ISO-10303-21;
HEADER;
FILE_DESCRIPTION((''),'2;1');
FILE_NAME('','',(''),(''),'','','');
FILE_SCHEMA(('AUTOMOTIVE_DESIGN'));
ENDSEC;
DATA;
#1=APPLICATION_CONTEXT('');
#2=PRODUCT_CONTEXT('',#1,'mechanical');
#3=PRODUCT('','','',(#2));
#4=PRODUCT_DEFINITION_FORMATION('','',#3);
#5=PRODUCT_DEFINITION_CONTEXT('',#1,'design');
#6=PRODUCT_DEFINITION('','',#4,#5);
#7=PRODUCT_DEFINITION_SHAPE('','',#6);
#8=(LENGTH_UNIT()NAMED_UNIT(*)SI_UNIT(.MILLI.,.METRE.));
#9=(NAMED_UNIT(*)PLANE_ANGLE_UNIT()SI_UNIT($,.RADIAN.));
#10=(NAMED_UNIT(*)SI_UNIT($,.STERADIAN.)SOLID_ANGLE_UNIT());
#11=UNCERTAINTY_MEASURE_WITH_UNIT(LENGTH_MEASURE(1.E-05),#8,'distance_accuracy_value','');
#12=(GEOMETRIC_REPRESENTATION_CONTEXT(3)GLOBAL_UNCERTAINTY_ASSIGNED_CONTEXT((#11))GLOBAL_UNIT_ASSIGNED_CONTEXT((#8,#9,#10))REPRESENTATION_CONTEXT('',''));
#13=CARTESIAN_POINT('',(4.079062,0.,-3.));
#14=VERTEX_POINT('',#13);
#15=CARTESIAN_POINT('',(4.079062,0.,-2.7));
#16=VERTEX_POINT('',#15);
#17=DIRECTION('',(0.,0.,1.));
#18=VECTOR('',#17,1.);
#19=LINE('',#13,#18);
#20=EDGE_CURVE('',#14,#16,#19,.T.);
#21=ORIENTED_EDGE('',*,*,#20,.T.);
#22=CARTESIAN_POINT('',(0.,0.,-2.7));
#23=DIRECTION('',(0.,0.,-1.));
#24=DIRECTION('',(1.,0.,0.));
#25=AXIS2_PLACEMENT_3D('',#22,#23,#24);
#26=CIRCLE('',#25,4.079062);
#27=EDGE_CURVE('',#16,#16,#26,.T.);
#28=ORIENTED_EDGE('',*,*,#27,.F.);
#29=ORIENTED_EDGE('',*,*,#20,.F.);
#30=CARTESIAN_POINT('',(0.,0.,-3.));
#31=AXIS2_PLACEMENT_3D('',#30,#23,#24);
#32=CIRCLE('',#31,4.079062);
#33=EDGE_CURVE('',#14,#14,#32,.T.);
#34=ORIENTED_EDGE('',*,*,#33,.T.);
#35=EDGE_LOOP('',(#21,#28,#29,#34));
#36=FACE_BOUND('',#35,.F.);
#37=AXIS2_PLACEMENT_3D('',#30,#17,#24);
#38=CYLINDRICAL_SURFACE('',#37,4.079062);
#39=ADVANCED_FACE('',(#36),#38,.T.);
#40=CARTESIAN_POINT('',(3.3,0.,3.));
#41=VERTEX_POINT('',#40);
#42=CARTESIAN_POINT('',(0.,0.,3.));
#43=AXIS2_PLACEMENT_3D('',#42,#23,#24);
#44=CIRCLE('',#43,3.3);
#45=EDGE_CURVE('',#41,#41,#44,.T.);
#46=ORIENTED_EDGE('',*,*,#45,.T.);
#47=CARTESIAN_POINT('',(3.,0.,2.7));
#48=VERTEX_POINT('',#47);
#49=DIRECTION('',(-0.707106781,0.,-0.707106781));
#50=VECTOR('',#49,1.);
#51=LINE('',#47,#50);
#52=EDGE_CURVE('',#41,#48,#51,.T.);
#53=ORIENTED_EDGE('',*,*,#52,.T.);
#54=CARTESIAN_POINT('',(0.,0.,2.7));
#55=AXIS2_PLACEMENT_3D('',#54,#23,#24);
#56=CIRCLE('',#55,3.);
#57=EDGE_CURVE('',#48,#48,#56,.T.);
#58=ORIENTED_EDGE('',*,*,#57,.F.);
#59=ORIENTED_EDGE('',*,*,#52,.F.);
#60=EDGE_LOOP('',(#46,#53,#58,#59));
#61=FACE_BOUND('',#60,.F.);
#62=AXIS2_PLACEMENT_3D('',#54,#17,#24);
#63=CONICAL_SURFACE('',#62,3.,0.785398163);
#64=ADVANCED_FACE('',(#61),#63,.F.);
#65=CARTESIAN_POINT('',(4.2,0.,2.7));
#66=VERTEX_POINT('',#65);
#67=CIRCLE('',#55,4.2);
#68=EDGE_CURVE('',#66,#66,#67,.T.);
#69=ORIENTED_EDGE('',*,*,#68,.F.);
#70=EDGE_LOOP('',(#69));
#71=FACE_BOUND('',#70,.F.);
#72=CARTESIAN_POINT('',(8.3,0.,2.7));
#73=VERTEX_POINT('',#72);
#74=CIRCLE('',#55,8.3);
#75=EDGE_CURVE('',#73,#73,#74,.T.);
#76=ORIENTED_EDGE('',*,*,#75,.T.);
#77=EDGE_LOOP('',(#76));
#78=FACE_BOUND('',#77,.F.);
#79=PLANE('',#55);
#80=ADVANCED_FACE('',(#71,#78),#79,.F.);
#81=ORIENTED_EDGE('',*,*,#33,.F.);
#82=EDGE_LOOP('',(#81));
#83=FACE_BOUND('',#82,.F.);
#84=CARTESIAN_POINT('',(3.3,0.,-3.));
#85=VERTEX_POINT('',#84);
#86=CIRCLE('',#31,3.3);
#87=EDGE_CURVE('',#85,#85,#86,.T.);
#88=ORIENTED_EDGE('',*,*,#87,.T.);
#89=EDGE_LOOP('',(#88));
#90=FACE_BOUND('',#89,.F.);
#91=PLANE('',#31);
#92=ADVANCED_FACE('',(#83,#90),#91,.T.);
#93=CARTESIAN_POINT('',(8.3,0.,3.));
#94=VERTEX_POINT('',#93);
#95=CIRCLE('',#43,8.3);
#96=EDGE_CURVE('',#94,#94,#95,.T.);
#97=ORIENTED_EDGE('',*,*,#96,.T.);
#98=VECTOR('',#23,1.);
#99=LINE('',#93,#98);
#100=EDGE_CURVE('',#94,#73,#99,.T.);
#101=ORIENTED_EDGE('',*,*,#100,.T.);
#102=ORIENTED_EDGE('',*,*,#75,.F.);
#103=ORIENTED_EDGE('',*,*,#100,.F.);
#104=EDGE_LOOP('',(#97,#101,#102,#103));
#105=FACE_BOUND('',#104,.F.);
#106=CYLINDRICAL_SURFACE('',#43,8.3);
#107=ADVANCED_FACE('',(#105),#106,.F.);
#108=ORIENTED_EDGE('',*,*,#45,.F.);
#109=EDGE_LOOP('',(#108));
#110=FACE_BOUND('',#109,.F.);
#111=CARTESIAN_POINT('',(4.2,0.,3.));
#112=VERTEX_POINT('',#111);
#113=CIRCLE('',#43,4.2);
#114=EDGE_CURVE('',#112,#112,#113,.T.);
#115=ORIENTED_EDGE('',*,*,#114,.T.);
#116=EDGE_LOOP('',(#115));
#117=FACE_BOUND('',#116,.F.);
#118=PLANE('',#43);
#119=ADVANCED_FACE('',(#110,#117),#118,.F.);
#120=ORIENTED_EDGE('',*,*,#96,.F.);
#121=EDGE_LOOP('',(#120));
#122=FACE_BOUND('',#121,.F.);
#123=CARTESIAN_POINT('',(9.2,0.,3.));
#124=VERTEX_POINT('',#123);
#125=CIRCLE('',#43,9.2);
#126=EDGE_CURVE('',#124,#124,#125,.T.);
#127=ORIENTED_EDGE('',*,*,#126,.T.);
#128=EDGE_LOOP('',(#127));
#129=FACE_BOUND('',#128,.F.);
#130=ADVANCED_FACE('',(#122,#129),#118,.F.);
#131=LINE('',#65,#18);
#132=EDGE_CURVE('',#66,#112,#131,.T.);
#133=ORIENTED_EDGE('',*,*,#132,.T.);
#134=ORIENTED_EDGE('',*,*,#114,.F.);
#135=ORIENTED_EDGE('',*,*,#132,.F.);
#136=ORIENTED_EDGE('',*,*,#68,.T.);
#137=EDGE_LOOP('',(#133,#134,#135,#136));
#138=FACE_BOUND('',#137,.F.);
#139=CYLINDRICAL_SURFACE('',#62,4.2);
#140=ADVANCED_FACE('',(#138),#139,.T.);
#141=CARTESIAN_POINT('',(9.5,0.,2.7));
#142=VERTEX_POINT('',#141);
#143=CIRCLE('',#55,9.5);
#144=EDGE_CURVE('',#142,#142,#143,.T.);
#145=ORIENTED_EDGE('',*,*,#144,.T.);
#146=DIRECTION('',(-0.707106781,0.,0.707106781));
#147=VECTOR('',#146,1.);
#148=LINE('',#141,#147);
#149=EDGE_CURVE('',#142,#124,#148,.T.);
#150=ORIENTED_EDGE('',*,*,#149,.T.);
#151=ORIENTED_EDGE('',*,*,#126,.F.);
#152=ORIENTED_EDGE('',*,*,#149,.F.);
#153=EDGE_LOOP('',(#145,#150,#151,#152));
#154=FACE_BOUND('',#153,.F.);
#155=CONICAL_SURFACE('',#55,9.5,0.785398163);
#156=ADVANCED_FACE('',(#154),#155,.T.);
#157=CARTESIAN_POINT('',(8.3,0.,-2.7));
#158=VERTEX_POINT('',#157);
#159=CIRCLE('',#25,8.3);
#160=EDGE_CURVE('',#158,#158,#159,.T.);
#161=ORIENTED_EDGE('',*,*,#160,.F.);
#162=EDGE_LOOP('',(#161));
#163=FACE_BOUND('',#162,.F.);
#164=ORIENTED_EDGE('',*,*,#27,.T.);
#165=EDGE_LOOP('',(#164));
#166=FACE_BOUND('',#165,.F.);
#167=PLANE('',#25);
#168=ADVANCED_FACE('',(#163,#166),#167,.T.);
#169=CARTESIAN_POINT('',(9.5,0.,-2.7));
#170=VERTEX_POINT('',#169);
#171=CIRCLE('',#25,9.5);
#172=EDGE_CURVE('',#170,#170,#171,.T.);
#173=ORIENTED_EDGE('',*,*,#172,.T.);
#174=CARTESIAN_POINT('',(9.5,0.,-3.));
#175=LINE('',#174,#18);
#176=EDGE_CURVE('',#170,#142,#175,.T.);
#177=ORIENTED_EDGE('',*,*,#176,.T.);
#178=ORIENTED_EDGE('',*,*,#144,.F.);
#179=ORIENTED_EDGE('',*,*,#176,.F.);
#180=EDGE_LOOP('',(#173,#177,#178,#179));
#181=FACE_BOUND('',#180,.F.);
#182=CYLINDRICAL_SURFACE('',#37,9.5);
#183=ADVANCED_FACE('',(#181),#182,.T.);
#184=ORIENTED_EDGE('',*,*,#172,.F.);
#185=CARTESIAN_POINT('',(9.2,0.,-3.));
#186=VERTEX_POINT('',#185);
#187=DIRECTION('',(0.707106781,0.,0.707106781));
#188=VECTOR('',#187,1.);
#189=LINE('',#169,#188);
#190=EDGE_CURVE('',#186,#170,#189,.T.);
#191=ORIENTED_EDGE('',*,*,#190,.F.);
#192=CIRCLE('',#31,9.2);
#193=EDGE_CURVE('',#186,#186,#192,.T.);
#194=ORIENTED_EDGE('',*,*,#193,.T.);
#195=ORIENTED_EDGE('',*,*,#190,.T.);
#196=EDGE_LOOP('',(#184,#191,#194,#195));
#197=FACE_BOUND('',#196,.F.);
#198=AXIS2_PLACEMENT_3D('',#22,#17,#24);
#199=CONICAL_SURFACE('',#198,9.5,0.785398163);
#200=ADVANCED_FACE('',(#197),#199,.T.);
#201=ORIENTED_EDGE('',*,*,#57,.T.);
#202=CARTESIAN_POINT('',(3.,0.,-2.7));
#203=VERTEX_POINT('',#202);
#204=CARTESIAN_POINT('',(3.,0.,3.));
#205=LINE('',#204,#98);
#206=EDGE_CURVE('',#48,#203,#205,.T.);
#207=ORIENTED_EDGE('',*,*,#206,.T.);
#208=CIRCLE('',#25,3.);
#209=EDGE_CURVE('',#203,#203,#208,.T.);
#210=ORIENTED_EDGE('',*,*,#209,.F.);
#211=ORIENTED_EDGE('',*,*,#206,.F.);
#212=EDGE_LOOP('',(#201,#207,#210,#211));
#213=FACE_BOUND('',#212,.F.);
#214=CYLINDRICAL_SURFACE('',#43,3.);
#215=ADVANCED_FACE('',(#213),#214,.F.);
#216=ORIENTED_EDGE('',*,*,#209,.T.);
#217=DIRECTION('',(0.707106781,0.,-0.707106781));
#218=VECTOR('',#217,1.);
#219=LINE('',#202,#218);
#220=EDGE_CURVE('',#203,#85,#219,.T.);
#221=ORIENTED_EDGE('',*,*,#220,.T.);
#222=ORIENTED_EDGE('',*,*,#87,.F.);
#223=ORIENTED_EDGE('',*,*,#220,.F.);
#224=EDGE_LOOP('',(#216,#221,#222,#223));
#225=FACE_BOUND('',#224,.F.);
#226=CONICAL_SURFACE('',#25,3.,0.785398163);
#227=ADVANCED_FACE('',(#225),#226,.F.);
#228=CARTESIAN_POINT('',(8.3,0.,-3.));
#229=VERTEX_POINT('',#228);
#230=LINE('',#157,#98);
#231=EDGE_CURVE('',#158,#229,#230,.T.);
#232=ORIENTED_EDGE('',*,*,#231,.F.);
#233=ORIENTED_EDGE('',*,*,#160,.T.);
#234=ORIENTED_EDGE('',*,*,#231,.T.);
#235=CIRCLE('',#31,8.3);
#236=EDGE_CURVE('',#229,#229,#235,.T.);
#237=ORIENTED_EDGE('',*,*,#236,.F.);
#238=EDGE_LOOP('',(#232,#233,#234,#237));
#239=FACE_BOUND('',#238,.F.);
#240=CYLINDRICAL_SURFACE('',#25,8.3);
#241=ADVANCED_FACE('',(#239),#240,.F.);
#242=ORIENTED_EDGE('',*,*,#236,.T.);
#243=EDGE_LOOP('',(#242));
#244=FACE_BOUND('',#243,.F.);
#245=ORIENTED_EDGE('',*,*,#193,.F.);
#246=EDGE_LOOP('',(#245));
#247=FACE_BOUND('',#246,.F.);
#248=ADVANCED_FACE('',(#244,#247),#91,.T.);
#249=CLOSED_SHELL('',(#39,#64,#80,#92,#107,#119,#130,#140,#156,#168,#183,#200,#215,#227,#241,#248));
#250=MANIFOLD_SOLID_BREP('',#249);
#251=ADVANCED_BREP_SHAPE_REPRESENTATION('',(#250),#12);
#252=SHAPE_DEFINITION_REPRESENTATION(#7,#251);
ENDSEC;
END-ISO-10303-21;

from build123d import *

# Parameters (mm, degrees)
F2_SIZE = 0.3


with BuildPart() as f1:
    # F0 (on Front) → F1 (revolve)
    with BuildSketch(Plane.XZ):
        Polygon((4.2, 3), (3, 3), (3, -3), (4.079062, -3), (4.079062, -2.7), (8.3, -2.7), (8.3, -3), (9.5, -3), (9.5, 3), (8.3, 3), (8.3, 2.7), (4.2, 2.7), align=None)
    revolve(axis=Axis((0, 0, 0), (0, 0, -1)))

    # F2
    f2_edges = [f1.edges().sort_by_distance(p)[0] for p in [
        (-9.5, 0, 3),
        (-9.5, 0, -3),
        (-3, 0, 3),
        (-3, 0, -3),
    ]]
    chamfer(f2_edges, length=F2_SIZE)


solid = f1.part
